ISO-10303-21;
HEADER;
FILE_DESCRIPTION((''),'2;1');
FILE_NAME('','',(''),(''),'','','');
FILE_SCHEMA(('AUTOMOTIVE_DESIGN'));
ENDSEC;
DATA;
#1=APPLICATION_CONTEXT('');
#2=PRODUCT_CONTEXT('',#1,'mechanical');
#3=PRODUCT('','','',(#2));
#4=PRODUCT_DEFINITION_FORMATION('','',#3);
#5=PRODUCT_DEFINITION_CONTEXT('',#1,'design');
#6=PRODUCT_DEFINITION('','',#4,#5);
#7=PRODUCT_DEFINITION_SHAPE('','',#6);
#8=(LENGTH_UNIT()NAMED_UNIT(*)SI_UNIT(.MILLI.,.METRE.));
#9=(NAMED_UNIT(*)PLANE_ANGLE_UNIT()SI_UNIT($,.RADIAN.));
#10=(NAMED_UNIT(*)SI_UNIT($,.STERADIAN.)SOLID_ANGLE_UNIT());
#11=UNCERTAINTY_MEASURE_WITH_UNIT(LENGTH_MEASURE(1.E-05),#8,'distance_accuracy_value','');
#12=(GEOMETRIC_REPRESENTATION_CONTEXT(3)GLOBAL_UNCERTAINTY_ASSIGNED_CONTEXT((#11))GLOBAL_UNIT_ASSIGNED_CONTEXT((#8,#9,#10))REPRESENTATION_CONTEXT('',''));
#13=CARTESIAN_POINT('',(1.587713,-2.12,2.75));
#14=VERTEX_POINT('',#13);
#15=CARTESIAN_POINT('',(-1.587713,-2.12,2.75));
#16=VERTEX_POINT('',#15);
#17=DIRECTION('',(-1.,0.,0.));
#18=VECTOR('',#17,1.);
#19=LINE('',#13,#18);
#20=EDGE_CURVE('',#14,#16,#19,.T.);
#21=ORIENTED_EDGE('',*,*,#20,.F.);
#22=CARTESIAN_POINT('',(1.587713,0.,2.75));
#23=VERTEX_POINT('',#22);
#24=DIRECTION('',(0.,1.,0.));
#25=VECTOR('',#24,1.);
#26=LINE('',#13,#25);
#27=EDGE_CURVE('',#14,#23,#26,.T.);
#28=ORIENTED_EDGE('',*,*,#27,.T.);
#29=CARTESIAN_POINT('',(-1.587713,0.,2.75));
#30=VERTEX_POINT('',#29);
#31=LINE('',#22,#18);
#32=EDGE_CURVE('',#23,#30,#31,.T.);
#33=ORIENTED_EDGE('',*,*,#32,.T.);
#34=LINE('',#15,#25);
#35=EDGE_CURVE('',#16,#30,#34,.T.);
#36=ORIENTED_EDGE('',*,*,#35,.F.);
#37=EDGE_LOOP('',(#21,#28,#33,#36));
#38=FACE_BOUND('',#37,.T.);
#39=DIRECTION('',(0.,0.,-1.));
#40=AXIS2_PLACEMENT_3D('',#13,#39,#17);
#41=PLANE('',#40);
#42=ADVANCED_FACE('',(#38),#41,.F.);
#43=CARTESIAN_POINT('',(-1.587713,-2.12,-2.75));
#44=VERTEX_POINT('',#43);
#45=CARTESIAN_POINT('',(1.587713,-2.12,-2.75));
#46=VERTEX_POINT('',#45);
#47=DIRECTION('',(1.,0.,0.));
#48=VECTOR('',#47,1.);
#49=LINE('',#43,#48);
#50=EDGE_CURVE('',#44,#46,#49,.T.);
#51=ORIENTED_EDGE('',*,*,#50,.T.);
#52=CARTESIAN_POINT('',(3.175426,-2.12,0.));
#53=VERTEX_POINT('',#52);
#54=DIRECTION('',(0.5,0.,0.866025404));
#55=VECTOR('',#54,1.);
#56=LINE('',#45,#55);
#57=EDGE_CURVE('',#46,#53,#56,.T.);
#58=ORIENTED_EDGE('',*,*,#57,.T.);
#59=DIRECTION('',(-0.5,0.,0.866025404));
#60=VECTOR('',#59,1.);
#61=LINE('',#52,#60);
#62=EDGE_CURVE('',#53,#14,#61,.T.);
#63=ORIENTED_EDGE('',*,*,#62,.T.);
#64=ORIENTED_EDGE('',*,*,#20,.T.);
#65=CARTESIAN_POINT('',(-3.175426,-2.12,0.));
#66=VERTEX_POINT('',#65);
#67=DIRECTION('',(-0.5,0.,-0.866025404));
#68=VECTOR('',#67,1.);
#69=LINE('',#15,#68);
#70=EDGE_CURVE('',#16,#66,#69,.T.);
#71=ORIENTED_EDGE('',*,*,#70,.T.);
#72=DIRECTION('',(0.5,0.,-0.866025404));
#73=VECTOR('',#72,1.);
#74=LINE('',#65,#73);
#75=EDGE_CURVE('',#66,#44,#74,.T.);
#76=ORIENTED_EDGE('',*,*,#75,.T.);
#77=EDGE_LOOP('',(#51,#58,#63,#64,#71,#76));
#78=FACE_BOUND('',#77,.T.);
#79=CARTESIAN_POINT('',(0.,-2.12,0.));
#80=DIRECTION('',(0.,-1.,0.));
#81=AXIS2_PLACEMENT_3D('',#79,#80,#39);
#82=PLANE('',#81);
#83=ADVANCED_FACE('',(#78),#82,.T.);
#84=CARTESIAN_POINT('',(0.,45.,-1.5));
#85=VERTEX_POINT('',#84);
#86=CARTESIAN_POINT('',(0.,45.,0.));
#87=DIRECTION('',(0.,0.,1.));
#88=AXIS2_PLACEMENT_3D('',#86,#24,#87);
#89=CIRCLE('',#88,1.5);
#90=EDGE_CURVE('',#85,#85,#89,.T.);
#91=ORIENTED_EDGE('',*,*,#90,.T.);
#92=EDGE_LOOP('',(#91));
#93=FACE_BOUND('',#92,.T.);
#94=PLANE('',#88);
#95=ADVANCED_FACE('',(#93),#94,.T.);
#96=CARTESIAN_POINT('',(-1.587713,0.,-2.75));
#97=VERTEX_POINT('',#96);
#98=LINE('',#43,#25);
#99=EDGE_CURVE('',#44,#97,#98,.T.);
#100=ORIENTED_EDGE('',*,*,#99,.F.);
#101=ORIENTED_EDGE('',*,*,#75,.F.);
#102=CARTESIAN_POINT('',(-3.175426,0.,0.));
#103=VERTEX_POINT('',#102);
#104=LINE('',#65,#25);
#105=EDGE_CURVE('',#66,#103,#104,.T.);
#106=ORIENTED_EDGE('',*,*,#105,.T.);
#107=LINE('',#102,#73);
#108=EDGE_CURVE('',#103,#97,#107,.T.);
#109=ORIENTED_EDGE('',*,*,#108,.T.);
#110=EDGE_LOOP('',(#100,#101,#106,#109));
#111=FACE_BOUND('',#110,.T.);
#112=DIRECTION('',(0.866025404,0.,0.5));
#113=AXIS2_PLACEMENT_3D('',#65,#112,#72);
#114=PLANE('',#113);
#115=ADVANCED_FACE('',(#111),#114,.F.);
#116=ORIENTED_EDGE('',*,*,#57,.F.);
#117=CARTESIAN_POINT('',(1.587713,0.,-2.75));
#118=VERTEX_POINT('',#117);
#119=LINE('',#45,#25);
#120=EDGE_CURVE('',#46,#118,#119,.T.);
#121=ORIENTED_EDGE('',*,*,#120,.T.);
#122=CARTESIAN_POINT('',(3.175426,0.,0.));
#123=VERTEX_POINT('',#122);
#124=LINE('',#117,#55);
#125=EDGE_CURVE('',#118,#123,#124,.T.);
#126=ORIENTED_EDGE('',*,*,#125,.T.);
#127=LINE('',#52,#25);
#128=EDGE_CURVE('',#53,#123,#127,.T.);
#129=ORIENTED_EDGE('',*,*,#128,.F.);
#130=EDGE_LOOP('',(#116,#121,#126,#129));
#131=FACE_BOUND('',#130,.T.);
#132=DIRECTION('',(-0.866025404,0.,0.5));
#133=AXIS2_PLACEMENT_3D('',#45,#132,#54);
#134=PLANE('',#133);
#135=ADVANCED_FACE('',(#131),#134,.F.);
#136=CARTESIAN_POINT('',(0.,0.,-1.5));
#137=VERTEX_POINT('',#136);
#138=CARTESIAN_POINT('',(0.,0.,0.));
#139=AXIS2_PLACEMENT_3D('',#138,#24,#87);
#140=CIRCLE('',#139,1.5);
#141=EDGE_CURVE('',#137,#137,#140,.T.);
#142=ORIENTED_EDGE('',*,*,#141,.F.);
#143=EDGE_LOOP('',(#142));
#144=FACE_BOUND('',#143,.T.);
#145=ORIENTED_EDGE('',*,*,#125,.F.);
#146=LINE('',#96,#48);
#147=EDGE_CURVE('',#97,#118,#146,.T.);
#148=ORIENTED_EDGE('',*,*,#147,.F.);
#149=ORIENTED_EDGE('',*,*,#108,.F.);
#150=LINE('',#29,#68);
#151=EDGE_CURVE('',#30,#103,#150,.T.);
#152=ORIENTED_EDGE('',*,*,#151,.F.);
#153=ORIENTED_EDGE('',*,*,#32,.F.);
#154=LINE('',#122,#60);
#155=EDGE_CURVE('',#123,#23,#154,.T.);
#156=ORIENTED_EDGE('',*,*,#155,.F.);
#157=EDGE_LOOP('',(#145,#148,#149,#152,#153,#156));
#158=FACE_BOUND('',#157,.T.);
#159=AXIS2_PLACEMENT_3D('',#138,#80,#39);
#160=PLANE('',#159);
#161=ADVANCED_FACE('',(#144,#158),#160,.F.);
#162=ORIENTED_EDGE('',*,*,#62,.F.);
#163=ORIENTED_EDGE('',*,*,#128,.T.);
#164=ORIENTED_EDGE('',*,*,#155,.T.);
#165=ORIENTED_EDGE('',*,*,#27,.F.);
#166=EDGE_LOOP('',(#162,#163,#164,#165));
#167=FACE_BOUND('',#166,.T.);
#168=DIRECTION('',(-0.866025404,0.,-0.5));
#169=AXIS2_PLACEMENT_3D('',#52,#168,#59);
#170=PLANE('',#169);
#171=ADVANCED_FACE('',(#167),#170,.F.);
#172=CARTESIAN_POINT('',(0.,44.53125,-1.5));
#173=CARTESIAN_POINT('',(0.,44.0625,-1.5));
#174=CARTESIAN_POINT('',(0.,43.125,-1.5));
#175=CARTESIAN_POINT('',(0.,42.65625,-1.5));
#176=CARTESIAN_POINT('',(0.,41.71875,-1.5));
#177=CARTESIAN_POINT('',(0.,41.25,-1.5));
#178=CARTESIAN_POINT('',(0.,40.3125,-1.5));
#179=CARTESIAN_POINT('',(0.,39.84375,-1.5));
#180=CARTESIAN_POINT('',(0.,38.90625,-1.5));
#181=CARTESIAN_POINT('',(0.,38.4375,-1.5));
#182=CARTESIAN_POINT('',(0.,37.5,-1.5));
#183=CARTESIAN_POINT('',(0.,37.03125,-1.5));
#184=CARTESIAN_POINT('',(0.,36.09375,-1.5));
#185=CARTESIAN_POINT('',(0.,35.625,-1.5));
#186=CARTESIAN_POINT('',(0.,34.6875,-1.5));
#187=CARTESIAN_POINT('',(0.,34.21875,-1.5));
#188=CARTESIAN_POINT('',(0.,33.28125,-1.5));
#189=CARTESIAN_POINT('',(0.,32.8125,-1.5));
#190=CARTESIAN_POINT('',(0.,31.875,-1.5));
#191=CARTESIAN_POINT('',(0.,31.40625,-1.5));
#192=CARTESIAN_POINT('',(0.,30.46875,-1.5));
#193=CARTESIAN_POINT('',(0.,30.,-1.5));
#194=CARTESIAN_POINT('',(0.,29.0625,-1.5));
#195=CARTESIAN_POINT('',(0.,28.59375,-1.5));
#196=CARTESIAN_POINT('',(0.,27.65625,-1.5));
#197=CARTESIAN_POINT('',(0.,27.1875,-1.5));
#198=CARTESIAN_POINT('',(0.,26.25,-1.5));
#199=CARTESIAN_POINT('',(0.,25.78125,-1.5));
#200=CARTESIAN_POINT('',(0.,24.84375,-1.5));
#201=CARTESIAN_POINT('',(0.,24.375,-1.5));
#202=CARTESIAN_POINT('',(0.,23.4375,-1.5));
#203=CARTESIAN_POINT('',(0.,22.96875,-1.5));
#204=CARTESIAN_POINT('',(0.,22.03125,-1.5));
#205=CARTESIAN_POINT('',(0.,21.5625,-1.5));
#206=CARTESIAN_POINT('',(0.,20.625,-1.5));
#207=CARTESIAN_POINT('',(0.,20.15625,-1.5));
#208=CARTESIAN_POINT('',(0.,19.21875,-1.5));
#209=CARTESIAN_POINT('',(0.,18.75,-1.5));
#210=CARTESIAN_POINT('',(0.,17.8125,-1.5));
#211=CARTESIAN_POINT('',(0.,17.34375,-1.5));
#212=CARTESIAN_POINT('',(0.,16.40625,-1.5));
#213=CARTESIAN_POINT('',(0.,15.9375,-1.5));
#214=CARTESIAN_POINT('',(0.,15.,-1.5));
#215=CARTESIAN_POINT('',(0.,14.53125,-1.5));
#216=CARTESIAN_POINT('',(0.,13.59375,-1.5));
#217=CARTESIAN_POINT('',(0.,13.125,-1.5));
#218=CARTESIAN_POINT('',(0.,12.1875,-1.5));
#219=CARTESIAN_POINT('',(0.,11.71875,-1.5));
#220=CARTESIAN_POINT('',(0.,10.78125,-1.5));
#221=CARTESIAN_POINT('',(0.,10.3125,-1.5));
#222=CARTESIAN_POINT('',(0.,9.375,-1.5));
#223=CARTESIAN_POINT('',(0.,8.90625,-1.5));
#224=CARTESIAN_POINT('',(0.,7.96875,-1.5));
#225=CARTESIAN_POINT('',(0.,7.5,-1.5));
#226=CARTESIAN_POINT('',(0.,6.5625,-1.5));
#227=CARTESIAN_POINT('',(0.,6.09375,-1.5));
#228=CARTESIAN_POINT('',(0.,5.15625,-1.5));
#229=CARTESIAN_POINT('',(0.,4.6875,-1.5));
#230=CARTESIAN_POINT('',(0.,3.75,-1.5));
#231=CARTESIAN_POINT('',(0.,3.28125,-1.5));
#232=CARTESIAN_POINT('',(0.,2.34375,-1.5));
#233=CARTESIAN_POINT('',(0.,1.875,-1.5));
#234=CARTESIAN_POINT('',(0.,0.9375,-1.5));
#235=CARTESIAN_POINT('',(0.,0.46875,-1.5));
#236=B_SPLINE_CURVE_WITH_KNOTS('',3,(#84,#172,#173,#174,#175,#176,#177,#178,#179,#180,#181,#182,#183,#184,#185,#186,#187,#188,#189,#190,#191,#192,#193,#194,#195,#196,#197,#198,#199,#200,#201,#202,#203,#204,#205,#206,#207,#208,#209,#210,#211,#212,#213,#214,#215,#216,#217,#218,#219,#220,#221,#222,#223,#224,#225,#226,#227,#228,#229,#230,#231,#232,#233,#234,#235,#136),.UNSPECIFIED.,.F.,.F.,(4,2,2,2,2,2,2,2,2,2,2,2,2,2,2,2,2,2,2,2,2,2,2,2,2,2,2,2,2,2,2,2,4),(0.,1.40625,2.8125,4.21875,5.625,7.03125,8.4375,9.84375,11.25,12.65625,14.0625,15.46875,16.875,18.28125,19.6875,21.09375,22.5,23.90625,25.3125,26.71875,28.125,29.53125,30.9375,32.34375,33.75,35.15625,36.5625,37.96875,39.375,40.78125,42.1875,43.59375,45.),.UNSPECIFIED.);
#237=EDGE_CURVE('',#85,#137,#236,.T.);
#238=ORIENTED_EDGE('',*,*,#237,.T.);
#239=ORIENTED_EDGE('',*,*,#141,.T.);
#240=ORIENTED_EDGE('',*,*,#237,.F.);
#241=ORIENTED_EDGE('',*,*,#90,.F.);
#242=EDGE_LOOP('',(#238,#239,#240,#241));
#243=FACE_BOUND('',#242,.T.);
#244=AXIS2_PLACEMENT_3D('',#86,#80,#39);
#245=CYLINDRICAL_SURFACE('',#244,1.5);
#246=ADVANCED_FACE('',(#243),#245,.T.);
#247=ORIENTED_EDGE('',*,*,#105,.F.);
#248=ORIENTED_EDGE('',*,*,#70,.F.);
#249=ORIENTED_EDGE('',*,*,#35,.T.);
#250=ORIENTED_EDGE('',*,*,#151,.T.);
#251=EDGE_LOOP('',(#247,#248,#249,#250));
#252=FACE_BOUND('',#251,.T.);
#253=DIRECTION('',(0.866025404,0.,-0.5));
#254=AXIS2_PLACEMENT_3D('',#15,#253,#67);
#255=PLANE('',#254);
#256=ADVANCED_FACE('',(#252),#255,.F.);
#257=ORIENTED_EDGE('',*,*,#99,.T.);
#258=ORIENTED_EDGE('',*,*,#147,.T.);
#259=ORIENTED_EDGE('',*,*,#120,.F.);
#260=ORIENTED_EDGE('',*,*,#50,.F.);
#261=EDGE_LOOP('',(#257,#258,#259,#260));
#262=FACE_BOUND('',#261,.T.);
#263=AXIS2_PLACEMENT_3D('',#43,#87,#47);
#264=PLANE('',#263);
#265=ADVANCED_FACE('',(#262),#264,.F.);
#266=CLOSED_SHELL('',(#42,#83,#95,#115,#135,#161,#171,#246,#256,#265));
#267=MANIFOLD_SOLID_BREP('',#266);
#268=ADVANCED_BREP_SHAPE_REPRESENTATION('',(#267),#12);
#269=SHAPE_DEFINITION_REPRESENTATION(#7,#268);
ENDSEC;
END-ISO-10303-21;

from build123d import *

# Parameters (mm, degrees)
SKETCH_1_R      = 1.5
EXTRUDE_1_DEPTH = 45
EXTRUDE_2_DEPTH = 2.12


with BuildPart() as part:
    # 草图1 → 凸台-拉伸1 (new body)
    with BuildSketch(Plane(origin=(0, 0, 0), x_dir=(1, 0, 0), z_dir=(0, 1, 0))):
        with Locations(Location((0, 0, 0), (0, 0, 90))):
            Circle(SKETCH_1_R)
    extrude(amount=EXTRUDE_1_DEPTH)

    # 草图3 → 凸台-拉伸2 (add)
    with BuildSketch(Plane.XZ):
        Polygon((3.175426481, 0), (1.58771324, 2.75), (-1.58771324, 2.75), (-3.175426481, 0), (-1.58771324, -2.75), (1.58771324, -2.75), align=None)
    extrude(amount=EXTRUDE_2_DEPTH)


solid = part.part
